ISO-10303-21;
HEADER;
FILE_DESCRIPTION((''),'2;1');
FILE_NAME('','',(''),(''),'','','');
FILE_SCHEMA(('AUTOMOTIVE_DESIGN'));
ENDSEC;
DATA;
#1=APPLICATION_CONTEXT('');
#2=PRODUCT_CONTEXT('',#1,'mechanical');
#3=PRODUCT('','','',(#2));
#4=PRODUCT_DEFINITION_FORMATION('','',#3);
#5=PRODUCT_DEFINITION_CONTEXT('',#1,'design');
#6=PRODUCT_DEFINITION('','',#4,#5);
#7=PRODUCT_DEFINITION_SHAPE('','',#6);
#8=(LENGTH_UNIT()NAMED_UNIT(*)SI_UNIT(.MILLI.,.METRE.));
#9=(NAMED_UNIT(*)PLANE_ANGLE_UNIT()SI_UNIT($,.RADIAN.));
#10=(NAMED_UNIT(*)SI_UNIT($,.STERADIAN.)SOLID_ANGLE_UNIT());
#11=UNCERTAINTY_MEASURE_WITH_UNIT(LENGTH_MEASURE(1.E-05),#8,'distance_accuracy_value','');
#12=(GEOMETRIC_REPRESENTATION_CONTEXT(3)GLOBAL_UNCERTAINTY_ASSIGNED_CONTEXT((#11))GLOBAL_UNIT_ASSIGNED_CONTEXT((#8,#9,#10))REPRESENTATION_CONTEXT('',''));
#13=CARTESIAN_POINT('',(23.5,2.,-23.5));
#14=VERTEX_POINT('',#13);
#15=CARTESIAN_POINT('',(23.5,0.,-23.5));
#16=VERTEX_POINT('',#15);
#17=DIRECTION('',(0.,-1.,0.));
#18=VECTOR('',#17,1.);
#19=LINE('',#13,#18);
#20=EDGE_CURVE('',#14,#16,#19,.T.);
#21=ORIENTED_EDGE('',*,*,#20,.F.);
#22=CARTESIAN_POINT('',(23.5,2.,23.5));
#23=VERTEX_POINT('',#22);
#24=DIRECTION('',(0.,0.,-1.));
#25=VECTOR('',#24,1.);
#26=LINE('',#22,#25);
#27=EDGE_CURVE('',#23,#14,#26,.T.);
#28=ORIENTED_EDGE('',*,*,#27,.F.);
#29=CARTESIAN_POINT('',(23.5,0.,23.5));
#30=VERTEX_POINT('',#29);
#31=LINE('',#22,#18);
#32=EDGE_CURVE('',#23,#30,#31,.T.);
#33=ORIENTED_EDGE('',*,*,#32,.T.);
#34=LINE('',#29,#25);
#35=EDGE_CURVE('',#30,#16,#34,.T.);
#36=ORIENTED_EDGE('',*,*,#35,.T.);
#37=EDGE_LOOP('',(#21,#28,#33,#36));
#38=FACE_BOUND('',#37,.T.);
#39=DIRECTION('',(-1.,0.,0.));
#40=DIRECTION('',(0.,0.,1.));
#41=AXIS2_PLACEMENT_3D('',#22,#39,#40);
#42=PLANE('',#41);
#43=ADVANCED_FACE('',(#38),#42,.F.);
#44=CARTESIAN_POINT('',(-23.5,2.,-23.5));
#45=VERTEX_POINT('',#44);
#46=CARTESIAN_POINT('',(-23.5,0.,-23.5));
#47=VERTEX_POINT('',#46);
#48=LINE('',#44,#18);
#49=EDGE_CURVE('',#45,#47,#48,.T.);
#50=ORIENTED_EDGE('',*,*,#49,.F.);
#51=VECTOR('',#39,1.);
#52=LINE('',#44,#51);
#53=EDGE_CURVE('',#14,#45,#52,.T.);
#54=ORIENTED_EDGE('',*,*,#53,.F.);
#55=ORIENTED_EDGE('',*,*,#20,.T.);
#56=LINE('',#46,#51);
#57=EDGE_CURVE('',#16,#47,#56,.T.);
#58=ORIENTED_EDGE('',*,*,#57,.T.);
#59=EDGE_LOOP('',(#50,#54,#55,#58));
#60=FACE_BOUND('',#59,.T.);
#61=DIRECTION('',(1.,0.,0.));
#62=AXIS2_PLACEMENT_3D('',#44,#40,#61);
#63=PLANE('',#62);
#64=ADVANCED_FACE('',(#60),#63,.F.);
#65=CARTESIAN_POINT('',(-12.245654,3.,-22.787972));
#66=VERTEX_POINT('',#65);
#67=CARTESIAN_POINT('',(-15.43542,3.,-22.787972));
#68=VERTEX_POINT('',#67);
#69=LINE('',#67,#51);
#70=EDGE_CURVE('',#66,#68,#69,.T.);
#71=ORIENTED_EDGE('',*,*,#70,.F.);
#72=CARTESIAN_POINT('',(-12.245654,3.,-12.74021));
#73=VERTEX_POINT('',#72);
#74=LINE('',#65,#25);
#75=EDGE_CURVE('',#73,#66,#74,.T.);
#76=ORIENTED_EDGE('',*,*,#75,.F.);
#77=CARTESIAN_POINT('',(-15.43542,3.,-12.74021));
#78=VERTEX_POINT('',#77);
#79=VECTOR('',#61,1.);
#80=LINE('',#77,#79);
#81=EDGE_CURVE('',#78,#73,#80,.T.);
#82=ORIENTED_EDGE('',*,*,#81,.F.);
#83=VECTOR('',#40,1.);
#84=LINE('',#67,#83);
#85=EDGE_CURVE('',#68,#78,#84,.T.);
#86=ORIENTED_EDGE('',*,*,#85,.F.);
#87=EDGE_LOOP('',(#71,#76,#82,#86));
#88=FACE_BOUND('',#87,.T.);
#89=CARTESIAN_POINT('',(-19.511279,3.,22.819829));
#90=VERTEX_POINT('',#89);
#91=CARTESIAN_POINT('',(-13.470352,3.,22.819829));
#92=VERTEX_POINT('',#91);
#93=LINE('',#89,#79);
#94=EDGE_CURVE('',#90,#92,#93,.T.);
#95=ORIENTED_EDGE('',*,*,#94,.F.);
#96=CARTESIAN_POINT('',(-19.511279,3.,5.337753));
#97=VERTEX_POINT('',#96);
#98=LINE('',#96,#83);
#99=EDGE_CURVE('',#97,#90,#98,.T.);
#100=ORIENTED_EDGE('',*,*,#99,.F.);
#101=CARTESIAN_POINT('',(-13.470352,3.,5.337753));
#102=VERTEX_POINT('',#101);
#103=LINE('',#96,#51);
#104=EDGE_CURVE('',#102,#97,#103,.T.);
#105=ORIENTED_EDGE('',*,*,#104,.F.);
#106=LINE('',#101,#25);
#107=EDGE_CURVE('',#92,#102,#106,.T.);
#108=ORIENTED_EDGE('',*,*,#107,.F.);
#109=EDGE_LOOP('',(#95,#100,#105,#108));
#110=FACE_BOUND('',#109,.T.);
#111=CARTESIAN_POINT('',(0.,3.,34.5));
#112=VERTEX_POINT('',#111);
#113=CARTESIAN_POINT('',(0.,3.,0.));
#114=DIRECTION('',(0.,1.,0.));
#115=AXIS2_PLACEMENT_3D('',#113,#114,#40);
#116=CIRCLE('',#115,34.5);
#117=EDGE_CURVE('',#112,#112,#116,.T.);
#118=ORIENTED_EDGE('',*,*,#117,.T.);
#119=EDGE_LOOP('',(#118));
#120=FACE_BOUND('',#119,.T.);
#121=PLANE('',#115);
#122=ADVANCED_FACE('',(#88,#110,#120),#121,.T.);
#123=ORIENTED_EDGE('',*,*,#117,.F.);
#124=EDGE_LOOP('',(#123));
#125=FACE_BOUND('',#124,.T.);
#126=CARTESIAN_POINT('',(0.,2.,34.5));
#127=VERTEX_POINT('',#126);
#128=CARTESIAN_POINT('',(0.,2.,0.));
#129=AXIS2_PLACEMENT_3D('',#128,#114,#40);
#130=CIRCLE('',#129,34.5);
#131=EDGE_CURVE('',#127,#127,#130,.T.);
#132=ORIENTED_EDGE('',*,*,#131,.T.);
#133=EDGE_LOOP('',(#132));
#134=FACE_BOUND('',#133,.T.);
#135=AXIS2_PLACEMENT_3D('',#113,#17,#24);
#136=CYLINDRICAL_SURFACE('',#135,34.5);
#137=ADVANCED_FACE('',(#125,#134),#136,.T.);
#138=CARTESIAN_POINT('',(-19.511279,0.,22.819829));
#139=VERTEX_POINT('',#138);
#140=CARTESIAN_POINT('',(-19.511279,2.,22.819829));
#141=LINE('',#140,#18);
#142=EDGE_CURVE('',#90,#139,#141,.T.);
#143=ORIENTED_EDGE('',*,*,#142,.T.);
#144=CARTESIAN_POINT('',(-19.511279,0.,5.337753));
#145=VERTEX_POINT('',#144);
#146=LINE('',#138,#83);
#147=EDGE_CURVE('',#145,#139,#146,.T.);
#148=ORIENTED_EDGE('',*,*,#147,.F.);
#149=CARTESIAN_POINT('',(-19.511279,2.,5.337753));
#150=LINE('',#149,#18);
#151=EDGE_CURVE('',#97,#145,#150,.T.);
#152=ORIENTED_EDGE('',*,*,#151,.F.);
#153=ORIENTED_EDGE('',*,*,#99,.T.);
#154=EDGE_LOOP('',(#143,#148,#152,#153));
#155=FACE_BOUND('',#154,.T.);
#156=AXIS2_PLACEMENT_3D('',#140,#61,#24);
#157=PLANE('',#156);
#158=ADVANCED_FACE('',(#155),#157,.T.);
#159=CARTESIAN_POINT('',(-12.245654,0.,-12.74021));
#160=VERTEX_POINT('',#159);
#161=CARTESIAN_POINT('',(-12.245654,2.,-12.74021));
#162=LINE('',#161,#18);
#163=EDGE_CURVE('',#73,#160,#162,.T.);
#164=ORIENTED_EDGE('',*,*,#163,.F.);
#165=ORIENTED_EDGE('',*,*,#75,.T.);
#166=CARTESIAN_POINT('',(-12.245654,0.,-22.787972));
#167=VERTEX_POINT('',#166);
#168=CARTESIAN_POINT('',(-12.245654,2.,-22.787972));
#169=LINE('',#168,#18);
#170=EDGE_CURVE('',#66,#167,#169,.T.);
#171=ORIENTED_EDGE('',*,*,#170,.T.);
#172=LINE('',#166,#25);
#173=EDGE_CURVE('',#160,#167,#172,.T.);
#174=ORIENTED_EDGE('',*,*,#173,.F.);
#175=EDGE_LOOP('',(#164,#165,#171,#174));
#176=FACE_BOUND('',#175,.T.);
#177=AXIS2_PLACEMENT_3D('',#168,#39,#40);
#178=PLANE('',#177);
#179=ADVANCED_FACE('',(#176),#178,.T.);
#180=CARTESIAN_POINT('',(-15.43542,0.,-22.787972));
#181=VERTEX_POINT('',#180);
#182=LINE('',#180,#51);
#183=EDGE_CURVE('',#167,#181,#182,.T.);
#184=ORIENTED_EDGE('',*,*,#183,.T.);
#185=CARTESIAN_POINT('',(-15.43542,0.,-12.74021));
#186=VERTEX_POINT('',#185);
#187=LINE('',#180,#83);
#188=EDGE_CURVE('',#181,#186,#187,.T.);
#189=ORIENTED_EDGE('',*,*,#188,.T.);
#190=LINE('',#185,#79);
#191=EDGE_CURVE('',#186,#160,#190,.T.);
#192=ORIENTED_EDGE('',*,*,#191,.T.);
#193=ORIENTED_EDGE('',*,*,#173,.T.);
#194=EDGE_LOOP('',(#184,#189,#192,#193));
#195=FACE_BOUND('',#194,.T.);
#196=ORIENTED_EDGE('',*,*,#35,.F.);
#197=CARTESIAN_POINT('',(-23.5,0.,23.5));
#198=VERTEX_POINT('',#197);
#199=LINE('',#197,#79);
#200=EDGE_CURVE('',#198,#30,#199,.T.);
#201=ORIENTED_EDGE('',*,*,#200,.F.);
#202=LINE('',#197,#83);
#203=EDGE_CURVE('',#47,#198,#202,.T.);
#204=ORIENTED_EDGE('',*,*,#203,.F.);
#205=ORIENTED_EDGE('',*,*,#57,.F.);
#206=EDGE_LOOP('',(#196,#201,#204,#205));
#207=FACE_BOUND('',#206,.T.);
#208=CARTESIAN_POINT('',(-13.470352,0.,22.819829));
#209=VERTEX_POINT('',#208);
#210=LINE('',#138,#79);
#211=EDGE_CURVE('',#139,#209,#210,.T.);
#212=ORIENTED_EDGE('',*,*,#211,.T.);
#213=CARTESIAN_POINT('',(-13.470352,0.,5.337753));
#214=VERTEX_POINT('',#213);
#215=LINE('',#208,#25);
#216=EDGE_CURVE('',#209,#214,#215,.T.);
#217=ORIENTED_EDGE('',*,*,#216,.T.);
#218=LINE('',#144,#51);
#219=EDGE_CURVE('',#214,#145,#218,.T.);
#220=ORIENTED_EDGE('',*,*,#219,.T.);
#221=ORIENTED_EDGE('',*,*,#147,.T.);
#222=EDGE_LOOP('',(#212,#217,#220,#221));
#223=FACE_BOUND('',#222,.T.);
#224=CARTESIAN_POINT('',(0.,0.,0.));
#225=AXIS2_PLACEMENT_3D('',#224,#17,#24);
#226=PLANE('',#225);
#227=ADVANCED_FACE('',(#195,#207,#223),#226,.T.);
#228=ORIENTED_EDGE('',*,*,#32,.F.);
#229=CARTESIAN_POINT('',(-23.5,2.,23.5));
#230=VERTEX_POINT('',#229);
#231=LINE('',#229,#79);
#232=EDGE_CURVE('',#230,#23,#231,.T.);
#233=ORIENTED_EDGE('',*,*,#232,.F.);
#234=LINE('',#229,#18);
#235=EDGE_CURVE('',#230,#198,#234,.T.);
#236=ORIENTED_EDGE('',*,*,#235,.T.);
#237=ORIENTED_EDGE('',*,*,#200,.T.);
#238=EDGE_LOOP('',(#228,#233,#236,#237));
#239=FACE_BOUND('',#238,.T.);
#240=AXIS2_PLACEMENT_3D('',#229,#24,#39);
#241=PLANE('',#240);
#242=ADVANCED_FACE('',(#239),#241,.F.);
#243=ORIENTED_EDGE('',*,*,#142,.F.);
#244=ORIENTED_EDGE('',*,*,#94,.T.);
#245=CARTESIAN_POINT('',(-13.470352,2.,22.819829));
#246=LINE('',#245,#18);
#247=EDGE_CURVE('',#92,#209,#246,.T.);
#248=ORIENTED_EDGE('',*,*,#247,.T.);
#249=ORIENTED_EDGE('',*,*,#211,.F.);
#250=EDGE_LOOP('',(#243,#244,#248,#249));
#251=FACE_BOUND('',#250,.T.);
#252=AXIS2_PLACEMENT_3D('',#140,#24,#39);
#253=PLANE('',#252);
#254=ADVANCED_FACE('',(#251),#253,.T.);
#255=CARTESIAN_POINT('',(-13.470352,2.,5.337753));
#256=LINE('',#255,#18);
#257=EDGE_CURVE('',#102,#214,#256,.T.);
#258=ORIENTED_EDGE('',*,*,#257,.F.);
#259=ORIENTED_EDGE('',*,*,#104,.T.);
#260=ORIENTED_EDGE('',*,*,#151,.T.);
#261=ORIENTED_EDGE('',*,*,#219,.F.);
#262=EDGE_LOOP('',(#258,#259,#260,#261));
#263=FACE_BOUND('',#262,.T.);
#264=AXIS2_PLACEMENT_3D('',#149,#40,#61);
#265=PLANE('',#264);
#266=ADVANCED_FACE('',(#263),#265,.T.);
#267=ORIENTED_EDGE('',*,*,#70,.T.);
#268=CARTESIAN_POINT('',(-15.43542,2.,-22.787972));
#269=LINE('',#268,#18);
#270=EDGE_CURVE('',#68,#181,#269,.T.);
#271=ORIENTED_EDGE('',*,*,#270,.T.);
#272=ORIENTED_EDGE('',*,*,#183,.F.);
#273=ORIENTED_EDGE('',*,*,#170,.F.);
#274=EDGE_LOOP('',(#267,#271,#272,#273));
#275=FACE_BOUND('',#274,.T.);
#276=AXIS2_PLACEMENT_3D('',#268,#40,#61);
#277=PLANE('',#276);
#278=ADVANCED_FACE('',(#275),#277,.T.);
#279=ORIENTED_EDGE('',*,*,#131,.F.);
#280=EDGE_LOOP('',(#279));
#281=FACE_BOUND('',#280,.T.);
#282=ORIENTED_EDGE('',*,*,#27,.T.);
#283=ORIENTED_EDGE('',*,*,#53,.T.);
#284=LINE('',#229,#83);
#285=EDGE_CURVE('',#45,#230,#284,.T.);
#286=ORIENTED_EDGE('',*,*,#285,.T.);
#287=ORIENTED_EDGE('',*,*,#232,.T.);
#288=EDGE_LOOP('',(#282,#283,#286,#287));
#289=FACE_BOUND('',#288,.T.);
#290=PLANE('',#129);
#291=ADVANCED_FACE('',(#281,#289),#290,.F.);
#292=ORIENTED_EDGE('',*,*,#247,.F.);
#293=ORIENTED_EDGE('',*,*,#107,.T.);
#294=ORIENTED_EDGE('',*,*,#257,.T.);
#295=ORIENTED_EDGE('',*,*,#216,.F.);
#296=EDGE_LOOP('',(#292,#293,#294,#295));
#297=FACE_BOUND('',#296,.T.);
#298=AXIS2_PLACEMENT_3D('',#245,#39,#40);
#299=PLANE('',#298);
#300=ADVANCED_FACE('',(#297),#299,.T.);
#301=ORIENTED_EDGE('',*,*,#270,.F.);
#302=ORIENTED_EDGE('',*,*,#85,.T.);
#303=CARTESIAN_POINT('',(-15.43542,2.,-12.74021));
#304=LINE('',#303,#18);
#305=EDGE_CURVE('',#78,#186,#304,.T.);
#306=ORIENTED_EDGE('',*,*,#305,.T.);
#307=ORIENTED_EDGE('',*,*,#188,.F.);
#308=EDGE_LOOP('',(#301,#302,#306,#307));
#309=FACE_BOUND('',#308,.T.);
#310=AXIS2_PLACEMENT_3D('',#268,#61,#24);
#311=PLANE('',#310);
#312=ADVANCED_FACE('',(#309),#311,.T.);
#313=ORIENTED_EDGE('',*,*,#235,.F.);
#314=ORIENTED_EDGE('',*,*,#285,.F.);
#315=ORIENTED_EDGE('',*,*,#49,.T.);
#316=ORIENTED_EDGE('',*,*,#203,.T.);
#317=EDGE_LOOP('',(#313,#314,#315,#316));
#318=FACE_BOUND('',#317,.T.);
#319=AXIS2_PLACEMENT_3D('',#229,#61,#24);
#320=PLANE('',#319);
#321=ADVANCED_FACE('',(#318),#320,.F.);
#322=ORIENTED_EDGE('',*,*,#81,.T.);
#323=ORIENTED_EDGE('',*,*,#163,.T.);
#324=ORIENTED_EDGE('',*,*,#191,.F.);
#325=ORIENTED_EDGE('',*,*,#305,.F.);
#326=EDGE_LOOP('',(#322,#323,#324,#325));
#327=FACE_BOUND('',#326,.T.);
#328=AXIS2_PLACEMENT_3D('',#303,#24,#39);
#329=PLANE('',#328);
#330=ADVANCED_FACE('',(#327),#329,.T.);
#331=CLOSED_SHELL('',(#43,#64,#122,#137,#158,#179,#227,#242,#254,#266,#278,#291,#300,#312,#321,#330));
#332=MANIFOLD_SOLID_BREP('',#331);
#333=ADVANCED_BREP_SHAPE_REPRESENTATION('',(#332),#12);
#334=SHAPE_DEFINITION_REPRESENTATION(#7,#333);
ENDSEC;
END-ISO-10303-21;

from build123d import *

# Parameters (mm, degrees)
SKETCH1_W           = 47
SKETCH1_H           = 47
SKETCH1_W_2         = 6.040926981
SKETCH1_H_2         = 17.482076569
SKETCH1_W_3         = 3.189765803
SKETCH1_H_3         = 10.04776228
BOSS_EXTRUDE2_DEPTH = 2
SKETCH6_R           = 34.5
SKETCH6_W           = 3.189765803
SKETCH6_H           = 10.04776228
SKETCH6_W_2         = 6.040926981
SKETCH6_H_2         = 17.482076569
BOSS_EXTRUDE4_DEPTH = 1


with BuildPart() as part:
    # Sketch1 → Boss-Extrude2 (new body)
    with BuildSketch(Plane(origin=(0, 0, 0), x_dir=(1, 0, 0), z_dir=(0, 1, 0))):
        Rectangle(SKETCH1_W, SKETCH1_H)
        with Locations((-16.490815369, -14.078790897)):
            Rectangle(SKETCH1_W_2, SKETCH1_H_2, mode=Mode.SUBTRACT)
        with Locations((-13.840536858, 17.764090865)):
            Rectangle(SKETCH1_W_3, SKETCH1_H_3, mode=Mode.SUBTRACT)
    extrude(amount=BOSS_EXTRUDE2_DEPTH)

    # Sketch6 → Boss-Extrude4 (add)
    with BuildSketch(Plane(origin=(0, 2, 0), x_dir=(1, 0, 0), z_dir=(0, 1, 0))):
        with Locations(Location((0, 0, 0), (0, 0, 270))):
            Circle(SKETCH6_R)
        with Locations((-13.840536858, 17.764090865)):
            Rectangle(SKETCH6_W, SKETCH6_H, mode=Mode.SUBTRACT)
        with Locations((-16.490815369, -14.078790897)):
            Rectangle(SKETCH6_W_2, SKETCH6_H_2, mode=Mode.SUBTRACT)
    extrude(amount=BOSS_EXTRUDE4_DEPTH)


solid = part.part
